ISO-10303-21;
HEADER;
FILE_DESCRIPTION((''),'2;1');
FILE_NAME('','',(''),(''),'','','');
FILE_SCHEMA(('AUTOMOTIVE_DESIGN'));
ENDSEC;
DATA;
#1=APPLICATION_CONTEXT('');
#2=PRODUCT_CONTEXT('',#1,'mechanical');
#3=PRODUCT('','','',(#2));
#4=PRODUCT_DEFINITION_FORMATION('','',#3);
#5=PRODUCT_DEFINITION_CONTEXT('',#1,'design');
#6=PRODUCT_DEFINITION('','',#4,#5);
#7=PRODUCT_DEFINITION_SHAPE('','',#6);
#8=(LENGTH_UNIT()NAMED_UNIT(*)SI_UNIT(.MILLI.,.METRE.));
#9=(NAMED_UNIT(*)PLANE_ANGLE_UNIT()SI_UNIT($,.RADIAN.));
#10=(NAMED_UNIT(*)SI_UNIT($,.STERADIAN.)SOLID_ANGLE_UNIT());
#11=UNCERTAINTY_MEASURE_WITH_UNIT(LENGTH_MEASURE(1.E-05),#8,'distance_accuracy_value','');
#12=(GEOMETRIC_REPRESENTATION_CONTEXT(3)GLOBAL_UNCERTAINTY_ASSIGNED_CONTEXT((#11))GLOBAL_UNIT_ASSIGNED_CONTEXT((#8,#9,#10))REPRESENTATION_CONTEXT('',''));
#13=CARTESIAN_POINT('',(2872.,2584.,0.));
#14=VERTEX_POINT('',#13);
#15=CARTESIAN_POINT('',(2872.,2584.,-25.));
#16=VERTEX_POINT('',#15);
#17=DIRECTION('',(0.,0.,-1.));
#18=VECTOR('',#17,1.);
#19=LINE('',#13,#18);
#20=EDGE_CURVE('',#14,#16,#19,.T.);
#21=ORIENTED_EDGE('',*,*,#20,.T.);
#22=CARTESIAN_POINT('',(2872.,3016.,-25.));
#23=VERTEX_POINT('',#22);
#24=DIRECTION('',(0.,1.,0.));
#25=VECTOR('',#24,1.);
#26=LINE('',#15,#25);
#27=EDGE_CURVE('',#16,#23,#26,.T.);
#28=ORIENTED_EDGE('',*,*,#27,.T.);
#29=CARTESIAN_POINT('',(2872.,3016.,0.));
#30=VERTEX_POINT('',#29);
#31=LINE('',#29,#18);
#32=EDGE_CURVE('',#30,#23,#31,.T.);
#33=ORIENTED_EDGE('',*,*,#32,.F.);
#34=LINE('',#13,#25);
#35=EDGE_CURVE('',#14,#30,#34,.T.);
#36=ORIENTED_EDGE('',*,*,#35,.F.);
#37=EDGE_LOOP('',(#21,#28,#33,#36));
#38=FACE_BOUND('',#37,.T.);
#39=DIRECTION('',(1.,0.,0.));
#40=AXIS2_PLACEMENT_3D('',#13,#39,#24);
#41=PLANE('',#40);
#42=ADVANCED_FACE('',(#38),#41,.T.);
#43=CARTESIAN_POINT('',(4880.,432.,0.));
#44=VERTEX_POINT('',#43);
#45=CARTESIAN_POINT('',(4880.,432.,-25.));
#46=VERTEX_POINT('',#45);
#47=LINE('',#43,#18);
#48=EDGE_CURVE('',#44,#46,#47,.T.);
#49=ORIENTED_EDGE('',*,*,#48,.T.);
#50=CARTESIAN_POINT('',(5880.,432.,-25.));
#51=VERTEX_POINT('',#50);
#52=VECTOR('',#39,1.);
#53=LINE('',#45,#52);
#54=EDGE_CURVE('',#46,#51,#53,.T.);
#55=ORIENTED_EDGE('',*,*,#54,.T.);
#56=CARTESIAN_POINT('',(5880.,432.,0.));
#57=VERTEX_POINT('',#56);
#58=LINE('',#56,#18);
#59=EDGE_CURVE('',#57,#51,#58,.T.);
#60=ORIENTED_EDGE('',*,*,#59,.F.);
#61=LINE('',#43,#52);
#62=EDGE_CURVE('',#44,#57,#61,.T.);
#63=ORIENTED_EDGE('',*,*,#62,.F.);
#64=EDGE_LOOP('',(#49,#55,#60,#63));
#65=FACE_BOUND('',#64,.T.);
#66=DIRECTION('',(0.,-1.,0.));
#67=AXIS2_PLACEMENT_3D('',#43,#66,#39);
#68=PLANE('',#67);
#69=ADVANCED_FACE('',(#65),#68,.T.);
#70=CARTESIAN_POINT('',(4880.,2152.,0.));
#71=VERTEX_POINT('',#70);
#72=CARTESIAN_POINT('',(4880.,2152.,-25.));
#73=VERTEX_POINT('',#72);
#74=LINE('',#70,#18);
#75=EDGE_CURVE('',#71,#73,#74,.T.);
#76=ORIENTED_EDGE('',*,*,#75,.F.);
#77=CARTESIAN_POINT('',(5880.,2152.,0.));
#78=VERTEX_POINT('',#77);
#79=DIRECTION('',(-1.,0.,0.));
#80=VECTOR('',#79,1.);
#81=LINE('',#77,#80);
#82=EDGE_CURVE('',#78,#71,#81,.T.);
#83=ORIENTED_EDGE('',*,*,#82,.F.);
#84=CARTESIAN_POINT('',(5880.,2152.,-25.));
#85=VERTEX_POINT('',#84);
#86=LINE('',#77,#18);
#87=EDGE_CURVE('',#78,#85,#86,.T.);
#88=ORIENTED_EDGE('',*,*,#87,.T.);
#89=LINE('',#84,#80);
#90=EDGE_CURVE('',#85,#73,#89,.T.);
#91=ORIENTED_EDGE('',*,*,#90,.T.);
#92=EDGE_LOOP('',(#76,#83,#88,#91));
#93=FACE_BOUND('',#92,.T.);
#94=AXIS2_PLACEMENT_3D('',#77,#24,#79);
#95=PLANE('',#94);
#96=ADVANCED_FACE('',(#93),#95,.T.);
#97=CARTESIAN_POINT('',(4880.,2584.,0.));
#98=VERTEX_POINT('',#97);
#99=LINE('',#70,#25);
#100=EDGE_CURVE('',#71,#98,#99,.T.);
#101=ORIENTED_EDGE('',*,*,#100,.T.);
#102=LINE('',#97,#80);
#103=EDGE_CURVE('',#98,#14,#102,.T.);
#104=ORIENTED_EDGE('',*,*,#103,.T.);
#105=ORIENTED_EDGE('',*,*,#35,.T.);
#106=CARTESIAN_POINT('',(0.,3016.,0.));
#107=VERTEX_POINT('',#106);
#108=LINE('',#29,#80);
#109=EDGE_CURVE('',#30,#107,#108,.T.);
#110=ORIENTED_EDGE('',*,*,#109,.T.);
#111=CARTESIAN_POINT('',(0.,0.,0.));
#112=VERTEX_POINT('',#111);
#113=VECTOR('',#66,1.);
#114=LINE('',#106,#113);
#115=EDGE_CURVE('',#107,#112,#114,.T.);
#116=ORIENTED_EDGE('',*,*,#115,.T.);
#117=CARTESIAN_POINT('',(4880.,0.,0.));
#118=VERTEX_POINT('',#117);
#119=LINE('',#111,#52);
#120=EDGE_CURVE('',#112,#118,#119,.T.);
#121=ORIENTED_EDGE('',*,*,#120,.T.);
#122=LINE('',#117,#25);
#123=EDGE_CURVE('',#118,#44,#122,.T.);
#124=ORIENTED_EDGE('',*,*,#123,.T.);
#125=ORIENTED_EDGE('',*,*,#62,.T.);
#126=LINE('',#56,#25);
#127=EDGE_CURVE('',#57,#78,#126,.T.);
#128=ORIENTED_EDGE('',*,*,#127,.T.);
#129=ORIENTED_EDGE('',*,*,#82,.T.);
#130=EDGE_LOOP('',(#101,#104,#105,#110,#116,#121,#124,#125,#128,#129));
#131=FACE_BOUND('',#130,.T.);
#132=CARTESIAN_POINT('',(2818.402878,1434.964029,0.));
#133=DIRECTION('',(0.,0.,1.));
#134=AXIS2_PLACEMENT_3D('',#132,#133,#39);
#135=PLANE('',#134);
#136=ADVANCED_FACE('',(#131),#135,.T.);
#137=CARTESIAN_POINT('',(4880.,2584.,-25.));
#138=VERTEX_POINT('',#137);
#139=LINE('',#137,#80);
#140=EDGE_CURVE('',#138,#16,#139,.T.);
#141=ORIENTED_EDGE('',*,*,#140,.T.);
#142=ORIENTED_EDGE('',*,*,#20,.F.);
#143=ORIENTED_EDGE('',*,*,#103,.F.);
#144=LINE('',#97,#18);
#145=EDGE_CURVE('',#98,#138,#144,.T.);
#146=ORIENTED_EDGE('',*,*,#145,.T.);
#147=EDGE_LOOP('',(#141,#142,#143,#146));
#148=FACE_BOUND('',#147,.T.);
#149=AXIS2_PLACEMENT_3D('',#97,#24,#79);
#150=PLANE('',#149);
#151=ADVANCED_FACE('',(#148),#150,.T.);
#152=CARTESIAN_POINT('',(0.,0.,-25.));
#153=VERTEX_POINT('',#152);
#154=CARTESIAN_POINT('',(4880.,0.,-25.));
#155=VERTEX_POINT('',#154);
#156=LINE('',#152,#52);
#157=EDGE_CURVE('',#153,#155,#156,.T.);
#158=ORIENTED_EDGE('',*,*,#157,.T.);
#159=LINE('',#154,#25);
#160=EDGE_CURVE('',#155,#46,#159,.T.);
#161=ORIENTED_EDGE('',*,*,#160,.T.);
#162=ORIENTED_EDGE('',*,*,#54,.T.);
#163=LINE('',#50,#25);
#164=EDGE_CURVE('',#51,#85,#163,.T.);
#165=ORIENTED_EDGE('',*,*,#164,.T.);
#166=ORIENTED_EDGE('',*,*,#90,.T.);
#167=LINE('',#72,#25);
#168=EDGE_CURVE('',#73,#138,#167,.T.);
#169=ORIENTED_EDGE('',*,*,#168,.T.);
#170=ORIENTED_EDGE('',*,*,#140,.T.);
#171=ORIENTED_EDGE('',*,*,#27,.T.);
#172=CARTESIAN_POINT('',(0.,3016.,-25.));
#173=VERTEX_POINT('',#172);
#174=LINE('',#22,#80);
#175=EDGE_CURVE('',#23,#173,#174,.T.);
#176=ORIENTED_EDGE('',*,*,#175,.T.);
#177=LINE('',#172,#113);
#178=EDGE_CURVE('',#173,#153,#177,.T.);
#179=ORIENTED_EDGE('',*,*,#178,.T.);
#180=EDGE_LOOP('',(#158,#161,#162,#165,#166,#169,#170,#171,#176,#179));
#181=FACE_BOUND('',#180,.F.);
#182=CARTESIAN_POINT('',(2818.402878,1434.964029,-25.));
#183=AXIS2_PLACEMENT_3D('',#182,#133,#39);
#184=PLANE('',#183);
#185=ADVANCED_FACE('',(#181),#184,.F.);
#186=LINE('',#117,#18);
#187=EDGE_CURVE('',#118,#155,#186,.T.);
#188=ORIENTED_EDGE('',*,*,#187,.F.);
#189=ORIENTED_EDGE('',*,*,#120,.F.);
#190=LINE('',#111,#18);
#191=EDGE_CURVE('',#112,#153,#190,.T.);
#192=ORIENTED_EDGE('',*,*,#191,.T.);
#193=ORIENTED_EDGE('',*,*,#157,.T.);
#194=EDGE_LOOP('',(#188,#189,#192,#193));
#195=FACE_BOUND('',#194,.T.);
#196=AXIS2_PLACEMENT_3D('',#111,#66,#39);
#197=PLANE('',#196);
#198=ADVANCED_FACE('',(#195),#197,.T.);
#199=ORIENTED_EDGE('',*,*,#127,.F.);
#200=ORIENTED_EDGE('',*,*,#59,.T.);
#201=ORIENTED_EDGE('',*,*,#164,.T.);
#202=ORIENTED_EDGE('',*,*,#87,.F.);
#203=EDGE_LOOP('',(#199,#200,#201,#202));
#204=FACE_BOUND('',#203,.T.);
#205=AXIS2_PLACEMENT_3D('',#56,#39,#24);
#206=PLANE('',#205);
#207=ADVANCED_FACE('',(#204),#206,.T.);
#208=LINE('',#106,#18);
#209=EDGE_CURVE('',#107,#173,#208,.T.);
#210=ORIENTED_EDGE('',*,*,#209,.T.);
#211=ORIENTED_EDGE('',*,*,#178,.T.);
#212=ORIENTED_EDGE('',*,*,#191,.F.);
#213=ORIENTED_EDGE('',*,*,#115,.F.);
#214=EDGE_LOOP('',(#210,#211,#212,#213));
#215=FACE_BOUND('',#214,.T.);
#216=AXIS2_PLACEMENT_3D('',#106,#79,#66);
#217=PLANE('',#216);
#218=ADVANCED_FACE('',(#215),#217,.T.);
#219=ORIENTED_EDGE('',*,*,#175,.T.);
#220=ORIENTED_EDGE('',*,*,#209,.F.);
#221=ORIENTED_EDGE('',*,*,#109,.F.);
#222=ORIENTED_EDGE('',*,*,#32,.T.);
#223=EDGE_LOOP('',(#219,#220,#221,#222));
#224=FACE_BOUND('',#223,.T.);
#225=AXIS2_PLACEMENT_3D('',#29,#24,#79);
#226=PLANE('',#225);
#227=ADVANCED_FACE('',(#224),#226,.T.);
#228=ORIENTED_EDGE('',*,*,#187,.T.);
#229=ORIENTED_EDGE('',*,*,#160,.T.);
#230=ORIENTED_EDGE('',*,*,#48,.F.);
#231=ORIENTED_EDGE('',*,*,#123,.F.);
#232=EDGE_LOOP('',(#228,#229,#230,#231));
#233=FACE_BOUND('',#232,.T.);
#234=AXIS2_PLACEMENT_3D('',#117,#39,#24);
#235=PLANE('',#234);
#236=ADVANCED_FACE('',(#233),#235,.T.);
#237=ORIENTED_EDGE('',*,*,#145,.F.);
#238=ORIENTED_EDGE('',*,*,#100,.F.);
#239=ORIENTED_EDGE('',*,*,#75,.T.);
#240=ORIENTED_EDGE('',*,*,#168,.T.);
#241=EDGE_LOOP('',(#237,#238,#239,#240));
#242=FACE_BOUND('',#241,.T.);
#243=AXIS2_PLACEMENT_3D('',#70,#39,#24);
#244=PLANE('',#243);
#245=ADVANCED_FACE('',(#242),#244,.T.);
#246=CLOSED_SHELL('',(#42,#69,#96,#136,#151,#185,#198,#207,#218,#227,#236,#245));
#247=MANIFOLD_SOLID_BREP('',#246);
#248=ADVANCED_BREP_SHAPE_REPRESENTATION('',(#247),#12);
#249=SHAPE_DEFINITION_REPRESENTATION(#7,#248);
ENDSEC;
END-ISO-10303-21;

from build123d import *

# Parameters (mm, degrees)
F1_DEPTH = 25


with BuildPart() as f1:
    # F0 (on Top) → F1 (new body)
    with BuildSketch(Plane.XY):
        Polygon((0, 3016), (0, 0), (4880, 0), (4880, 432), (5880, 432), (5880, 2152), (4880, 2152), (4880, 2584), (2872, 2584), (2872, 3016), align=None)
    extrude(amount=-F1_DEPTH)


solid = f1.part
